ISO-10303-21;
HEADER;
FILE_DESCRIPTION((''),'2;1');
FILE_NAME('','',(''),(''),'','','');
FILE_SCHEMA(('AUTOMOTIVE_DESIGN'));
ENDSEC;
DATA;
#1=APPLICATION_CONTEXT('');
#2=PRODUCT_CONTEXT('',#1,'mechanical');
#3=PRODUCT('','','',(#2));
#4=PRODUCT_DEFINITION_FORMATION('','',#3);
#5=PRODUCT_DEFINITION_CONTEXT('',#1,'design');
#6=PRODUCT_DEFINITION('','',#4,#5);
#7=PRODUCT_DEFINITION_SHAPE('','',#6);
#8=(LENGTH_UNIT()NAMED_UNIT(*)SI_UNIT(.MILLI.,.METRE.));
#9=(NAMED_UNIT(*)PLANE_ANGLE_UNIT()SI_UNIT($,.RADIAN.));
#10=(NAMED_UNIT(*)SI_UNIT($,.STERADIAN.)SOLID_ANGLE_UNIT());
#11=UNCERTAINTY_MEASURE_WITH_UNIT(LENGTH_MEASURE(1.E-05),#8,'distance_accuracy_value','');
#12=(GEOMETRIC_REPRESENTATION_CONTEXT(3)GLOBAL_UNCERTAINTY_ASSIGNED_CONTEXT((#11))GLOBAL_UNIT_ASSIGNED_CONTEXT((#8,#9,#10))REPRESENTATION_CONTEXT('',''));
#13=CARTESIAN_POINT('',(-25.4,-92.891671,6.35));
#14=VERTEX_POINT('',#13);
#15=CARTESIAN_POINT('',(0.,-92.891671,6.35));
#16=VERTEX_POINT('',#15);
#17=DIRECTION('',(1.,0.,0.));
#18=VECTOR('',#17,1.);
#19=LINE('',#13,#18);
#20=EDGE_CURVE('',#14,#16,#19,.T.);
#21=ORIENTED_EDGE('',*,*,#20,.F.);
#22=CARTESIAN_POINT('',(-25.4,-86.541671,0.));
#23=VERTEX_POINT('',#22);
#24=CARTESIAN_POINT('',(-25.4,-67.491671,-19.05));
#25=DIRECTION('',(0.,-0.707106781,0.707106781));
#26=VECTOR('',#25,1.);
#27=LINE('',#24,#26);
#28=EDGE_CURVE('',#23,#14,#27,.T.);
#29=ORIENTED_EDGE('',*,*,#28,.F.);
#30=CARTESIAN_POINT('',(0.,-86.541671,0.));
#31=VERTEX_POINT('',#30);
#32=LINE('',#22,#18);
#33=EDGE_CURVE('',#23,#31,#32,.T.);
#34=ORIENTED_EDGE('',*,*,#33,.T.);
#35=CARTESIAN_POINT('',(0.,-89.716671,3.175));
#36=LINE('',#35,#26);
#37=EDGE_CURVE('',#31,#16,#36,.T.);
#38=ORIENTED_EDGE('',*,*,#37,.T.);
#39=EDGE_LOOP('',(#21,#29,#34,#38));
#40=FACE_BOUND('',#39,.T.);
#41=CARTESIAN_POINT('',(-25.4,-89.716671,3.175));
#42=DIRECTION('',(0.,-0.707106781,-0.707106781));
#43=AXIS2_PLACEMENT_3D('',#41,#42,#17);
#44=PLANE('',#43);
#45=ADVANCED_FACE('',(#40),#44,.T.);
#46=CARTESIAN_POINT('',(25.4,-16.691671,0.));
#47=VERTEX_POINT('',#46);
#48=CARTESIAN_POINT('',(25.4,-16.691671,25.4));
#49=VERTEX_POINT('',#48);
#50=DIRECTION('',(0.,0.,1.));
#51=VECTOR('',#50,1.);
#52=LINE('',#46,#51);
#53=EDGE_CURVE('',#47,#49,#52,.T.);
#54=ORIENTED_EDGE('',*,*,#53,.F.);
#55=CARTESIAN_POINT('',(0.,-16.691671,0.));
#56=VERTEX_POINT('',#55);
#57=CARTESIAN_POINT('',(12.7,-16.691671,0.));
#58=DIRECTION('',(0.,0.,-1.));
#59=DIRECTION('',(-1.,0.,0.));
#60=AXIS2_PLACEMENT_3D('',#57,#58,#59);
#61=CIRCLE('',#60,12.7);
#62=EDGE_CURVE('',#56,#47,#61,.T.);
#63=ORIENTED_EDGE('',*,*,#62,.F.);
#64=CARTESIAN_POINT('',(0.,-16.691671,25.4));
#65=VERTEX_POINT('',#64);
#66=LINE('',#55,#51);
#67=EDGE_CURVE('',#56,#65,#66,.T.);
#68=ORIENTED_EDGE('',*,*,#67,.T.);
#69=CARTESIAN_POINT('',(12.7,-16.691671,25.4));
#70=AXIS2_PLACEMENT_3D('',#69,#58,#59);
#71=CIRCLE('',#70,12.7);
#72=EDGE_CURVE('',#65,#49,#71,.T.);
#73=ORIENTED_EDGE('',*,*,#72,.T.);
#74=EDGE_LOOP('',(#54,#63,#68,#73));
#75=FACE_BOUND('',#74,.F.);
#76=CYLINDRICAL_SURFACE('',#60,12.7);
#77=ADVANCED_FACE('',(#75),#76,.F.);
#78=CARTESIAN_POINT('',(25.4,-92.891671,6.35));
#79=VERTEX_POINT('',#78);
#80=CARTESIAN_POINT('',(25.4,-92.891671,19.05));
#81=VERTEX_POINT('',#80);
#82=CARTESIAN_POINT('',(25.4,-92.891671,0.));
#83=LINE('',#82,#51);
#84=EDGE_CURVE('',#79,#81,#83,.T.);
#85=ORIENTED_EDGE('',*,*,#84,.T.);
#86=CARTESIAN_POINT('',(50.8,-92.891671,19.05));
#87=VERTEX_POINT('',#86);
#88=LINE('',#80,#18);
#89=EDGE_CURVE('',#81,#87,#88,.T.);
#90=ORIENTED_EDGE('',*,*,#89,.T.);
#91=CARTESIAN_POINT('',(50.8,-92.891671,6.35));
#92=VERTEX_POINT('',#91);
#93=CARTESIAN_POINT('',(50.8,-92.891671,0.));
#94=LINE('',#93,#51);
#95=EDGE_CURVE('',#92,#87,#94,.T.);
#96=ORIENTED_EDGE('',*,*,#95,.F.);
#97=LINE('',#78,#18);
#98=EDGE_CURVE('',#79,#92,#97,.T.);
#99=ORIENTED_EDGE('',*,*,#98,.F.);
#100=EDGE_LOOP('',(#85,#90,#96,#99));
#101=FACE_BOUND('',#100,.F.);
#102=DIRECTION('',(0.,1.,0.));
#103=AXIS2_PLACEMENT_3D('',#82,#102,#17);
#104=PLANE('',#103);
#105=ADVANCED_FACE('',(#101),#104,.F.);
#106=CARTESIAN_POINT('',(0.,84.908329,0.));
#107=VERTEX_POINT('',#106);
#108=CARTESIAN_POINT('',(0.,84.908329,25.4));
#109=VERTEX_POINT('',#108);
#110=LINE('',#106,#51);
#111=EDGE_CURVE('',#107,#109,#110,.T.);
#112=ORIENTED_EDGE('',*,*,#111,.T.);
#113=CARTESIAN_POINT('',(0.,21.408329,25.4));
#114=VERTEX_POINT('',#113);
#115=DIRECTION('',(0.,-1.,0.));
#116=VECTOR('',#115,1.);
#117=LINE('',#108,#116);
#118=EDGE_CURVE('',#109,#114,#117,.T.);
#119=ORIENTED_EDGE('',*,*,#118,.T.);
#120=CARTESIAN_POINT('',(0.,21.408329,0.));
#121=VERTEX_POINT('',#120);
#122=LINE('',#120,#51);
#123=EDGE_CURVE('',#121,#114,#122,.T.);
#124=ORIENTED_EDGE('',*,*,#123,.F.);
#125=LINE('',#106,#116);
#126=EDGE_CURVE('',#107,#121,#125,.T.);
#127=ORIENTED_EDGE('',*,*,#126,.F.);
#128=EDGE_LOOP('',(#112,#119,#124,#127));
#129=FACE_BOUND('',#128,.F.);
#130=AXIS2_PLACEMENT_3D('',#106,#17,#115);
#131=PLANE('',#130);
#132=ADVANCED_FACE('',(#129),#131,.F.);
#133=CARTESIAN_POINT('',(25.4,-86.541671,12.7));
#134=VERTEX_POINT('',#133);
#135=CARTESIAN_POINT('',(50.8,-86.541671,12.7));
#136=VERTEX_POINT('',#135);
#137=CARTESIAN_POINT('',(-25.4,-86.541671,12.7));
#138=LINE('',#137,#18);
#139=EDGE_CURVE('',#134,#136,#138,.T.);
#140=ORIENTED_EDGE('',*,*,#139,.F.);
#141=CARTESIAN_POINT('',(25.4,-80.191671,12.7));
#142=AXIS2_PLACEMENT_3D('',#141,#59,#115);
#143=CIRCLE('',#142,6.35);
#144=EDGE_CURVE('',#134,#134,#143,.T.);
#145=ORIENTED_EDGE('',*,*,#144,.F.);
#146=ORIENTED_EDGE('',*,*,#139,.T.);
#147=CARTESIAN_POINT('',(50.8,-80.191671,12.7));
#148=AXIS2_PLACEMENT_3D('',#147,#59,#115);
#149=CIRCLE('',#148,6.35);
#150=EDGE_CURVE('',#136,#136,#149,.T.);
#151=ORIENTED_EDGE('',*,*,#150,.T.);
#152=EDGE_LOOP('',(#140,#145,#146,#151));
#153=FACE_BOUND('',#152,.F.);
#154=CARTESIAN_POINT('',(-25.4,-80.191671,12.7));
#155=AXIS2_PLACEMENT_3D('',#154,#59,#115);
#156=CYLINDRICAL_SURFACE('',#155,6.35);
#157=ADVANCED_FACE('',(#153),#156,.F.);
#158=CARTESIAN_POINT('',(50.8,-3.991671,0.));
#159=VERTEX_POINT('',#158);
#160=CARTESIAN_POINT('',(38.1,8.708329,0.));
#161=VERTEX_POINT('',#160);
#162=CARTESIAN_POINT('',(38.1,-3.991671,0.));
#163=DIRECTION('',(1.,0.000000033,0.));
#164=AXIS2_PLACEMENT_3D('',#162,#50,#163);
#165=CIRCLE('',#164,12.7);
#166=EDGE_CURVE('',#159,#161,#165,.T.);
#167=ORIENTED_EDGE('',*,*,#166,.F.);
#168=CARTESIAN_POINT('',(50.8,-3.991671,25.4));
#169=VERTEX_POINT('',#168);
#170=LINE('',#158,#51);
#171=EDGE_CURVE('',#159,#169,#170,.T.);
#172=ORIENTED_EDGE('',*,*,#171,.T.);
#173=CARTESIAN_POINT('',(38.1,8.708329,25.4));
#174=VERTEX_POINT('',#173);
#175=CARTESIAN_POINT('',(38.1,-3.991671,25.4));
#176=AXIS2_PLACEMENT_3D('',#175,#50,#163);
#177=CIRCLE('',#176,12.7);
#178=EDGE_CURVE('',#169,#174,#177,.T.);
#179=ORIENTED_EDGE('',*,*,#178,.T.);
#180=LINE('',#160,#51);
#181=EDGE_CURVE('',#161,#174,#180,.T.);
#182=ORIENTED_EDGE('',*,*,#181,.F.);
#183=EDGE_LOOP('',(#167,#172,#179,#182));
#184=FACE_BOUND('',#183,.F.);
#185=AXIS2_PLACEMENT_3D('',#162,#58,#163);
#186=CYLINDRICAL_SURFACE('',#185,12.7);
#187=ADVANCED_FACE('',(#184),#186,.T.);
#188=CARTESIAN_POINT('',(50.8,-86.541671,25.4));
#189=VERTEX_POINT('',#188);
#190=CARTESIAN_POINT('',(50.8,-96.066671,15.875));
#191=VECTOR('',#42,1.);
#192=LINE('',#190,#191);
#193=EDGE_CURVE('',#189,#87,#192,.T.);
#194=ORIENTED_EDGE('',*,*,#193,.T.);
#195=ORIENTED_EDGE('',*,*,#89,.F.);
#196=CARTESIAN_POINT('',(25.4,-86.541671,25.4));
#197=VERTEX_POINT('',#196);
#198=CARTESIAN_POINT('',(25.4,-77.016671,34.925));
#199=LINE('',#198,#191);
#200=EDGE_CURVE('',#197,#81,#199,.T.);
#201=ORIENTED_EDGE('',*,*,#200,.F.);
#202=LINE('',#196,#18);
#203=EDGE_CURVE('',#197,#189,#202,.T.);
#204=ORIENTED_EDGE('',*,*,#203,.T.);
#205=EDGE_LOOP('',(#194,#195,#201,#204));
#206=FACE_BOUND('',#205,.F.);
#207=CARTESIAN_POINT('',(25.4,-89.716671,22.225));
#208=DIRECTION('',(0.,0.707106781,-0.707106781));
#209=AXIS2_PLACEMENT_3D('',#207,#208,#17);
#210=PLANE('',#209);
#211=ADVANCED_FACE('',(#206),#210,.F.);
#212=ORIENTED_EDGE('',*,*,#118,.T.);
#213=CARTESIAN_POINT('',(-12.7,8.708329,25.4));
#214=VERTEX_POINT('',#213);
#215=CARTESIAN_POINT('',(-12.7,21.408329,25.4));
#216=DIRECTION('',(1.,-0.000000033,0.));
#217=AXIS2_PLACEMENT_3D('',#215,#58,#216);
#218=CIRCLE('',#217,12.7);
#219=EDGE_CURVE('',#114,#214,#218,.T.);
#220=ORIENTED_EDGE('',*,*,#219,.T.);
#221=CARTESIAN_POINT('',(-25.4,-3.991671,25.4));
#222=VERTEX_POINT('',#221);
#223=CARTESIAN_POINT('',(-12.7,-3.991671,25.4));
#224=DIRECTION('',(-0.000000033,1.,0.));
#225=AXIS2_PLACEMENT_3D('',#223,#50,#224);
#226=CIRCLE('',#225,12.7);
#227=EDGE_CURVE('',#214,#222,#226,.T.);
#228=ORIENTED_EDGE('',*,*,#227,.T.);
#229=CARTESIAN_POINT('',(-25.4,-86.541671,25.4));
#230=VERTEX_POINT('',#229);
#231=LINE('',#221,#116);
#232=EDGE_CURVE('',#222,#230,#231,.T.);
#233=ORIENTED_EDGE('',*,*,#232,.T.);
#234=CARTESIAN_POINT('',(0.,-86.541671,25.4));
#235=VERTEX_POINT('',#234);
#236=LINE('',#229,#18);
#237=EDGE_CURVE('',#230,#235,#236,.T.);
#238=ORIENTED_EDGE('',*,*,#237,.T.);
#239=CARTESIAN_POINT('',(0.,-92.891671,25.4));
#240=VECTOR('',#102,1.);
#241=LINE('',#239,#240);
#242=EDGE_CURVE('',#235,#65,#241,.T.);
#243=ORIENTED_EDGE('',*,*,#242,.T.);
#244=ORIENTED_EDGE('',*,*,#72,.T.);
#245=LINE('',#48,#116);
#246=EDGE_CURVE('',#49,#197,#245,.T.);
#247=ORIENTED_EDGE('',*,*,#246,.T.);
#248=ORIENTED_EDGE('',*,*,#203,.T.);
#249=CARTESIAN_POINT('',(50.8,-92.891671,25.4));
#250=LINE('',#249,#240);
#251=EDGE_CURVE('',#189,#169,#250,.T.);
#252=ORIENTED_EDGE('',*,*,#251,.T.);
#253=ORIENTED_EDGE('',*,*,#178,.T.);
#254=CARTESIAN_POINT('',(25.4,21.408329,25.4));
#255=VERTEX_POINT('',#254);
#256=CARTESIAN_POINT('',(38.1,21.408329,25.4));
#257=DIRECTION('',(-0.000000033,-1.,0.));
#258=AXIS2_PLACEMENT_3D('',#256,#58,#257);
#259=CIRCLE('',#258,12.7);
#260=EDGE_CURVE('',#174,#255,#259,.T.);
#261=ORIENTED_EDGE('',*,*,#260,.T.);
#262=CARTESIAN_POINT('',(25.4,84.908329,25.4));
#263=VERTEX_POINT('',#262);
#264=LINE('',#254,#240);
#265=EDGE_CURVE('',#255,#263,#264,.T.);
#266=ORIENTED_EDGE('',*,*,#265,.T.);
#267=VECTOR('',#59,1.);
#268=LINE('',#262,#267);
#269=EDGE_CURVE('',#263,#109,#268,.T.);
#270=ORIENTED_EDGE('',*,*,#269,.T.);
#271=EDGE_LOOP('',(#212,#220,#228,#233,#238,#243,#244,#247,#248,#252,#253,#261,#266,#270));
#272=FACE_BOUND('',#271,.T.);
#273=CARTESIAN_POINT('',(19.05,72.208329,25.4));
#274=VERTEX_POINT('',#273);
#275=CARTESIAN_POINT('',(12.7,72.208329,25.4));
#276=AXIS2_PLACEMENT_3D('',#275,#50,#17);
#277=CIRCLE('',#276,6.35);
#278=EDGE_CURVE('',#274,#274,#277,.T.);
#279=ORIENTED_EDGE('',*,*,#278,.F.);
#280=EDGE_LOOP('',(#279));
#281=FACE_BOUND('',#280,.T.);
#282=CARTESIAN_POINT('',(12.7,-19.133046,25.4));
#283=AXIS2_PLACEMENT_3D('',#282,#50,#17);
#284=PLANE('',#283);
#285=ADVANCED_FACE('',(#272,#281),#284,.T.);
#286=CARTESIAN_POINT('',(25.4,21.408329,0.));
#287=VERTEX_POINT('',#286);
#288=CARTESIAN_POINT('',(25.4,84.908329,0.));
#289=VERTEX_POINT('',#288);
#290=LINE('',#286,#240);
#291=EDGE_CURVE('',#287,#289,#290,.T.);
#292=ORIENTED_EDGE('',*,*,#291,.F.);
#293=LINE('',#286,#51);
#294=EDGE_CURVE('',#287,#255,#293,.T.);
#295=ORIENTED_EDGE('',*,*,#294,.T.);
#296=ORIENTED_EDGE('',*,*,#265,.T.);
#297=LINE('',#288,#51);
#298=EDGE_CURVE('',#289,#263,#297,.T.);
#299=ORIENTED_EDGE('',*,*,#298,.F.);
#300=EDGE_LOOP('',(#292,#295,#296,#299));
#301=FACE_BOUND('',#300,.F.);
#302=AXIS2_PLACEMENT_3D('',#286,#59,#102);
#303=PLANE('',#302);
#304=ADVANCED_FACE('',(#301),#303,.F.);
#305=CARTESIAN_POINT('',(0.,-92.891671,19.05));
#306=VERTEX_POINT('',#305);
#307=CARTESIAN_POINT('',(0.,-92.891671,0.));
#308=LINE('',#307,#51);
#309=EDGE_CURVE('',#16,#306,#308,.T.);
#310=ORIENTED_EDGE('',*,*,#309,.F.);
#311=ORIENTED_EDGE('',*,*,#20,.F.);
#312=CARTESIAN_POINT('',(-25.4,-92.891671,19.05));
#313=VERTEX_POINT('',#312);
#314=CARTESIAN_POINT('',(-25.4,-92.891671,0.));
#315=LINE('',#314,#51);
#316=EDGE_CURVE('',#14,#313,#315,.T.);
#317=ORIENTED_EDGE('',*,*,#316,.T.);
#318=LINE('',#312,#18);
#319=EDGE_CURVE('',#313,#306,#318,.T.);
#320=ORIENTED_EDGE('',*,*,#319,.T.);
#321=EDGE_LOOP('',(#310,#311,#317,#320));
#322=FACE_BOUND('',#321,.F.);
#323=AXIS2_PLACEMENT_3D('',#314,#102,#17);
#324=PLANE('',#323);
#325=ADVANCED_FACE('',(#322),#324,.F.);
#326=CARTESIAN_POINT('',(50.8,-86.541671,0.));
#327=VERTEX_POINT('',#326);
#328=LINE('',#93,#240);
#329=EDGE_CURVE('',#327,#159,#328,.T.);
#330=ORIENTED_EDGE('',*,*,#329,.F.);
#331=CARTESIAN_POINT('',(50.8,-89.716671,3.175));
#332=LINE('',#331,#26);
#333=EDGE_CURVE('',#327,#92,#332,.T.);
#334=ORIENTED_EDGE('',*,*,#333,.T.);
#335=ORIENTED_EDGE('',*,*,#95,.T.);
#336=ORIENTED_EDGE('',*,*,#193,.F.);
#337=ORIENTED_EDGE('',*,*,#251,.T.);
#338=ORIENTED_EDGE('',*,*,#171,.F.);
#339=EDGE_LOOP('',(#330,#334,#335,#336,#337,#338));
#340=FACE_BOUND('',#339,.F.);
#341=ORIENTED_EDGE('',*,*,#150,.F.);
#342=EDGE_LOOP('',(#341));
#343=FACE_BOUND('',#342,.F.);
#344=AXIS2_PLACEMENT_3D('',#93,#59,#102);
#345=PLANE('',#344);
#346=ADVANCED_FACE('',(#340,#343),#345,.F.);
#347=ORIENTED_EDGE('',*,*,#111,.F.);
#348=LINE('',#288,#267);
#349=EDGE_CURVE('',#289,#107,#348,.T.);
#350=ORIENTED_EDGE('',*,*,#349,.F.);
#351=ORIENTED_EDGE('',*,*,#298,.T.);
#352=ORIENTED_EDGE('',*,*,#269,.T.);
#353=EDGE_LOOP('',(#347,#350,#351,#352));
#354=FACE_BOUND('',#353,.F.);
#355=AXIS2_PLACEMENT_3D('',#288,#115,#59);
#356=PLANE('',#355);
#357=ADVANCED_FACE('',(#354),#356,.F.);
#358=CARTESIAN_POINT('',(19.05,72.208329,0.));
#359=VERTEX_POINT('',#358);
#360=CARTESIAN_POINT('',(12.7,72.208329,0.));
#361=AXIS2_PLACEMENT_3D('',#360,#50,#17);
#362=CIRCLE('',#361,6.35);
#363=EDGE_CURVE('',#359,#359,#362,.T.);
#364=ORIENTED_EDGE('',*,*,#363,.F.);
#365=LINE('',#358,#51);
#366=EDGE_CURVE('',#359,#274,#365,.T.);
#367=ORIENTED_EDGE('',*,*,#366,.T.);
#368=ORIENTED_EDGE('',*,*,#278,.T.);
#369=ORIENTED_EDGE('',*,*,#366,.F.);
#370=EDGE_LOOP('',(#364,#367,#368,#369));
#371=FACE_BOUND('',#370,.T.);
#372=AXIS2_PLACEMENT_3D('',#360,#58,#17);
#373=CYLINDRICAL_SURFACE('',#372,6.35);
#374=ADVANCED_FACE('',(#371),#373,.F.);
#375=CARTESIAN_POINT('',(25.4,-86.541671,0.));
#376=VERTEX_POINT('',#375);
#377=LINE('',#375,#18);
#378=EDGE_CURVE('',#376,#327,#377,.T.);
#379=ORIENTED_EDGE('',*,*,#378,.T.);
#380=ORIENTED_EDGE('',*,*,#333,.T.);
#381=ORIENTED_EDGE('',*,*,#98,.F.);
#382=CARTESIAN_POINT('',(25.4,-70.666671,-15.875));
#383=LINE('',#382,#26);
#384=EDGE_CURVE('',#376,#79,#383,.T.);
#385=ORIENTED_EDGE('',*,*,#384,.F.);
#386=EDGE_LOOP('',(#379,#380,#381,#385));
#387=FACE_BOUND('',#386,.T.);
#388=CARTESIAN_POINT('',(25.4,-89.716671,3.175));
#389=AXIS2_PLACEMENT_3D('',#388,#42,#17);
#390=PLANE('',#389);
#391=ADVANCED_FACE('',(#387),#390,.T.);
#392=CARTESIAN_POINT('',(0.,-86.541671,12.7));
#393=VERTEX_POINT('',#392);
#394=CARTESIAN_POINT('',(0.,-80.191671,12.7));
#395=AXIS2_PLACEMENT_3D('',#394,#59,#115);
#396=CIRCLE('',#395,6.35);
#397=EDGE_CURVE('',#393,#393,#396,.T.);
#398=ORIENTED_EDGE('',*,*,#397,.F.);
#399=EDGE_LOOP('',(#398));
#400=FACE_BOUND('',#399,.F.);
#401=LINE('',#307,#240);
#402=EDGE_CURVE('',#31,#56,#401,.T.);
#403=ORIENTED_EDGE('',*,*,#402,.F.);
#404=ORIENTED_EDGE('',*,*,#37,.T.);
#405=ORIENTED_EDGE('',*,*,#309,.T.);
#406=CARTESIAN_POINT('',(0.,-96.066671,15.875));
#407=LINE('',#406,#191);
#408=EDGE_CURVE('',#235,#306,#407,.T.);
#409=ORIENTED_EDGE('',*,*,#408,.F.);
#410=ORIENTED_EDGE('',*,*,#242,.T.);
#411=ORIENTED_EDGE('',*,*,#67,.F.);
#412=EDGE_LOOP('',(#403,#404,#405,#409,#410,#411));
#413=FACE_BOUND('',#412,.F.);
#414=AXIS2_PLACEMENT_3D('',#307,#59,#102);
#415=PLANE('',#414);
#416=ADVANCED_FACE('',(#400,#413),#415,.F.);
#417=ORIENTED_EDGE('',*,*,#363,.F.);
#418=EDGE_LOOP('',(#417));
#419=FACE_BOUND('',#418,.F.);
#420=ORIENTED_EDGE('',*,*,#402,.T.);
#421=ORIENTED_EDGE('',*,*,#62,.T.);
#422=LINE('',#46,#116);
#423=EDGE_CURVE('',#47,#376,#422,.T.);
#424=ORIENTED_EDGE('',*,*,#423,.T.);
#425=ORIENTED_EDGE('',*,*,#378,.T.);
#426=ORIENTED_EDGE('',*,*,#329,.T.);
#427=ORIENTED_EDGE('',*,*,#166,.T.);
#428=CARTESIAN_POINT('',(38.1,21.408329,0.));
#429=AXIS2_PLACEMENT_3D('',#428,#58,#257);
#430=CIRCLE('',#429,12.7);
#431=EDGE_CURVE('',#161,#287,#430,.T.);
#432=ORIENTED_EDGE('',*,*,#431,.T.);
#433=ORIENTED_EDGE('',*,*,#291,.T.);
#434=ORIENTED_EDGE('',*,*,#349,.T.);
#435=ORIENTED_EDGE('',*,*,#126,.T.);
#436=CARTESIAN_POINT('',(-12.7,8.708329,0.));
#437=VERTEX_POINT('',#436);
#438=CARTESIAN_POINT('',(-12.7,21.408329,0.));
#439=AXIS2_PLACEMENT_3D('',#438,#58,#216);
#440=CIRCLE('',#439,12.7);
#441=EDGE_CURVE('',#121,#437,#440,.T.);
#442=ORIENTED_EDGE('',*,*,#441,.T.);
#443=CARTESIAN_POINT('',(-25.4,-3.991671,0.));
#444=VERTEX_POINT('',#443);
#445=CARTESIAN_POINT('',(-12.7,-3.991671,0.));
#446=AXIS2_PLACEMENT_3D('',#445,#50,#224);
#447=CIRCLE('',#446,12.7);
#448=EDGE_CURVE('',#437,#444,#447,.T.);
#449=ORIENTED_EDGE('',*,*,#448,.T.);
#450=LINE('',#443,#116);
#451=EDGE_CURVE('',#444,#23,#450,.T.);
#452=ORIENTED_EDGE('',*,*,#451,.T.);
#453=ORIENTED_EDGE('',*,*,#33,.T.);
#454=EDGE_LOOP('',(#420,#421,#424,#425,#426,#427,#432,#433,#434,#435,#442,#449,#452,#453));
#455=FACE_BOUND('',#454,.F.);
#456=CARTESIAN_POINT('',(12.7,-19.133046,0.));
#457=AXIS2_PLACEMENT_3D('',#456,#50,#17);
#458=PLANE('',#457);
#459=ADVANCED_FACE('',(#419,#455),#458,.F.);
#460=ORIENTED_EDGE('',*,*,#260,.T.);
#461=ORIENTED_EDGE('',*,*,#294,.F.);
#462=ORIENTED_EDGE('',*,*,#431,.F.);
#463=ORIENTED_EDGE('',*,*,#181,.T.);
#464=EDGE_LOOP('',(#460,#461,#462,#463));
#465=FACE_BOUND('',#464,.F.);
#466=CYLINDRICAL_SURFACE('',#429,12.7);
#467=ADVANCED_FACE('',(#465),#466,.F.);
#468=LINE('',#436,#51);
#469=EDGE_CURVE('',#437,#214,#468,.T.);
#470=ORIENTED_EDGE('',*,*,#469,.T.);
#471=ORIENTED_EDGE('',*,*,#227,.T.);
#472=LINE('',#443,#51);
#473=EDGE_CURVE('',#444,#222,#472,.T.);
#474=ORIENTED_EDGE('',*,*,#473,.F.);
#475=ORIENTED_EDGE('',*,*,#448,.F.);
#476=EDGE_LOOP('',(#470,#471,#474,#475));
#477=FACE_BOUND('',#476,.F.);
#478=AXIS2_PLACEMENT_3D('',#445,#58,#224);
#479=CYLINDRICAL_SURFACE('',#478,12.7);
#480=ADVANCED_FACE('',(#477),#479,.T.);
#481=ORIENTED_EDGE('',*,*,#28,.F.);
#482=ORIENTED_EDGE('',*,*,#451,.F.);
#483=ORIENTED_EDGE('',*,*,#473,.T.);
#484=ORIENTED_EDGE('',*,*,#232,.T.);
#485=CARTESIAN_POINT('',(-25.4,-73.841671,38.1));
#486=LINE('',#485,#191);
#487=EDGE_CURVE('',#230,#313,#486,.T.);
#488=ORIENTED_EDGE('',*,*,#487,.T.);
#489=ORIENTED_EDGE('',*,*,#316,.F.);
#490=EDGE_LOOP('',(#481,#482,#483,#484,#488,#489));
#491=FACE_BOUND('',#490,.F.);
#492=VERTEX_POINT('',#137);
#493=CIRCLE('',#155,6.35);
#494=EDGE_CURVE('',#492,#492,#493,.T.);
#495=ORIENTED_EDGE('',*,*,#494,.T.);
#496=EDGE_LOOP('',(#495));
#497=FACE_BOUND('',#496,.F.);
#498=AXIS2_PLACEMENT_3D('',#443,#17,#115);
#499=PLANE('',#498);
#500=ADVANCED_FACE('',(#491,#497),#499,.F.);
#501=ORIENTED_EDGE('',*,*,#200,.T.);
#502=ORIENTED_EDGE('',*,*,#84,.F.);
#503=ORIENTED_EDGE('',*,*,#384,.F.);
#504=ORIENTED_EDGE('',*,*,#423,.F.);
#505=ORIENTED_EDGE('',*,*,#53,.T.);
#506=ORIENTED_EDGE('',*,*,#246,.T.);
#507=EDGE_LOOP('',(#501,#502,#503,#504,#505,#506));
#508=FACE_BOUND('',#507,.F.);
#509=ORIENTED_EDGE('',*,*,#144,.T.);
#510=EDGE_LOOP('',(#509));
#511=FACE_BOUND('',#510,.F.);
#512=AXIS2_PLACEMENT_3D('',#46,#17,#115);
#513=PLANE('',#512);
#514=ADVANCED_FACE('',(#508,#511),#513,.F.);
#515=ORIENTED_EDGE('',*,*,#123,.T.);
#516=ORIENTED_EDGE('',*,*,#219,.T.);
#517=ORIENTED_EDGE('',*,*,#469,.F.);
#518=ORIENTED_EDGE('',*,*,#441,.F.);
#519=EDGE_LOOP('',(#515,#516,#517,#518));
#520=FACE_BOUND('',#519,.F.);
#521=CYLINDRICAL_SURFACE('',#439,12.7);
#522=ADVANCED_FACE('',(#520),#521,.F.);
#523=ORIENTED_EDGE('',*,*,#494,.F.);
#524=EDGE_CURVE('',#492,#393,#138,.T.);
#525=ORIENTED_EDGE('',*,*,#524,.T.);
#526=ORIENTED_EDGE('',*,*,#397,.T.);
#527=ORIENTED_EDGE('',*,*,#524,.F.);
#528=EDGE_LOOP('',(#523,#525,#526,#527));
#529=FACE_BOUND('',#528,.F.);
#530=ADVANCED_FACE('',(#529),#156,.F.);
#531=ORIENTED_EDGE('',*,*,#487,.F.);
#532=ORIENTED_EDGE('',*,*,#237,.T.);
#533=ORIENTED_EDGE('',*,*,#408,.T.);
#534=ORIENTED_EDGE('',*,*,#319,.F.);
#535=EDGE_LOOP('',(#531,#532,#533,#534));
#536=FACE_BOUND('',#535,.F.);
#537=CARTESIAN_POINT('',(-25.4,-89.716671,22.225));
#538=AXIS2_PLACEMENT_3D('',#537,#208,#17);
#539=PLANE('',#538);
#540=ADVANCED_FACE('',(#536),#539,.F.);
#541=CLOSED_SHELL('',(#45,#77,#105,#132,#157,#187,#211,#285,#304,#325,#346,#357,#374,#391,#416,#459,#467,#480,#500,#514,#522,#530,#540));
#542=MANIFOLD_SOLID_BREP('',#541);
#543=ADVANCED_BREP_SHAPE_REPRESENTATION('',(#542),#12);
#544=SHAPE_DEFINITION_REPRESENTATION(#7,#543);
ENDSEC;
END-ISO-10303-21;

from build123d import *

# Parameters (mm, degrees)
F0_R     = 6.35
F1_DEPTH = 25.4
F2_R     = 6.35
F3_DEPTH = 76.2
F4_SIZE  = 6.35


with BuildPart() as f1:
    # F0 (on Top) → F1 (new body)
    with BuildSketch(Plane.XY):
        with BuildLine():
            Line((25.4, 84.908329), (0, 84.908329))
            Line((0, 84.908329), (0, 21.408329))
            ThreePointArc((0, 21.408329), (-3.719744, 12.428073), (-12.7, 8.708329))
            ThreePointArc((-12.7, 8.708329), (-21.680256, 4.988585), (-25.4, -3.991671))
            Line((-25.4, -3.991671), (-25.4, -92.891671))
            Line((-25.4, -92.891671), (0, -92.891671))
            Line((0, -92.891671), (0, -16.691671))
            ThreePointArc((0, -16.691671), (12.7, -3.991671), (25.4, -16.691671))
            Line((25.4, -16.691671), (25.4, -92.891671))
            Line((25.4, -92.891671), (50.8, -92.891671))
            Line((50.8, -92.891671), (50.8, -3.991671))
            ThreePointArc((50.8, -3.991671), (47.080256, 4.988585), (38.1, 8.708329))
            ThreePointArc((38.1, 8.708329), (29.119744, 12.428073), (25.4, 21.408329))
            Line((25.4, 21.408329), (25.4, 84.908329))
        make_face()
        with Locations((12.7, 72.208329)):
            Circle(F0_R, mode=Mode.SUBTRACT)
    extrude(amount=F1_DEPTH)

    # F2 (on face) → F3 (cut)
    with BuildSketch(Plane(origin=(-25.4, 0, 0), x_dir=(0, -1, 0), z_dir=(-1, 0, 0))):
        with Locations((80.191671, 12.7)):
            Circle(F2_R)
    extrude(amount=-F3_DEPTH, mode=Mode.SUBTRACT)

    # F4
    f4_edges = [f1.edges().sort_by_distance(p)[0] for p in [
        (-12.7, -92.891671, 25.4),
        (-12.7, -92.891671, 0),
        (38.1, -92.891671, 25.4),
        (38.1, -92.891671, 0),
    ]]
    chamfer(f4_edges, length=F4_SIZE)


solid = f1.part
